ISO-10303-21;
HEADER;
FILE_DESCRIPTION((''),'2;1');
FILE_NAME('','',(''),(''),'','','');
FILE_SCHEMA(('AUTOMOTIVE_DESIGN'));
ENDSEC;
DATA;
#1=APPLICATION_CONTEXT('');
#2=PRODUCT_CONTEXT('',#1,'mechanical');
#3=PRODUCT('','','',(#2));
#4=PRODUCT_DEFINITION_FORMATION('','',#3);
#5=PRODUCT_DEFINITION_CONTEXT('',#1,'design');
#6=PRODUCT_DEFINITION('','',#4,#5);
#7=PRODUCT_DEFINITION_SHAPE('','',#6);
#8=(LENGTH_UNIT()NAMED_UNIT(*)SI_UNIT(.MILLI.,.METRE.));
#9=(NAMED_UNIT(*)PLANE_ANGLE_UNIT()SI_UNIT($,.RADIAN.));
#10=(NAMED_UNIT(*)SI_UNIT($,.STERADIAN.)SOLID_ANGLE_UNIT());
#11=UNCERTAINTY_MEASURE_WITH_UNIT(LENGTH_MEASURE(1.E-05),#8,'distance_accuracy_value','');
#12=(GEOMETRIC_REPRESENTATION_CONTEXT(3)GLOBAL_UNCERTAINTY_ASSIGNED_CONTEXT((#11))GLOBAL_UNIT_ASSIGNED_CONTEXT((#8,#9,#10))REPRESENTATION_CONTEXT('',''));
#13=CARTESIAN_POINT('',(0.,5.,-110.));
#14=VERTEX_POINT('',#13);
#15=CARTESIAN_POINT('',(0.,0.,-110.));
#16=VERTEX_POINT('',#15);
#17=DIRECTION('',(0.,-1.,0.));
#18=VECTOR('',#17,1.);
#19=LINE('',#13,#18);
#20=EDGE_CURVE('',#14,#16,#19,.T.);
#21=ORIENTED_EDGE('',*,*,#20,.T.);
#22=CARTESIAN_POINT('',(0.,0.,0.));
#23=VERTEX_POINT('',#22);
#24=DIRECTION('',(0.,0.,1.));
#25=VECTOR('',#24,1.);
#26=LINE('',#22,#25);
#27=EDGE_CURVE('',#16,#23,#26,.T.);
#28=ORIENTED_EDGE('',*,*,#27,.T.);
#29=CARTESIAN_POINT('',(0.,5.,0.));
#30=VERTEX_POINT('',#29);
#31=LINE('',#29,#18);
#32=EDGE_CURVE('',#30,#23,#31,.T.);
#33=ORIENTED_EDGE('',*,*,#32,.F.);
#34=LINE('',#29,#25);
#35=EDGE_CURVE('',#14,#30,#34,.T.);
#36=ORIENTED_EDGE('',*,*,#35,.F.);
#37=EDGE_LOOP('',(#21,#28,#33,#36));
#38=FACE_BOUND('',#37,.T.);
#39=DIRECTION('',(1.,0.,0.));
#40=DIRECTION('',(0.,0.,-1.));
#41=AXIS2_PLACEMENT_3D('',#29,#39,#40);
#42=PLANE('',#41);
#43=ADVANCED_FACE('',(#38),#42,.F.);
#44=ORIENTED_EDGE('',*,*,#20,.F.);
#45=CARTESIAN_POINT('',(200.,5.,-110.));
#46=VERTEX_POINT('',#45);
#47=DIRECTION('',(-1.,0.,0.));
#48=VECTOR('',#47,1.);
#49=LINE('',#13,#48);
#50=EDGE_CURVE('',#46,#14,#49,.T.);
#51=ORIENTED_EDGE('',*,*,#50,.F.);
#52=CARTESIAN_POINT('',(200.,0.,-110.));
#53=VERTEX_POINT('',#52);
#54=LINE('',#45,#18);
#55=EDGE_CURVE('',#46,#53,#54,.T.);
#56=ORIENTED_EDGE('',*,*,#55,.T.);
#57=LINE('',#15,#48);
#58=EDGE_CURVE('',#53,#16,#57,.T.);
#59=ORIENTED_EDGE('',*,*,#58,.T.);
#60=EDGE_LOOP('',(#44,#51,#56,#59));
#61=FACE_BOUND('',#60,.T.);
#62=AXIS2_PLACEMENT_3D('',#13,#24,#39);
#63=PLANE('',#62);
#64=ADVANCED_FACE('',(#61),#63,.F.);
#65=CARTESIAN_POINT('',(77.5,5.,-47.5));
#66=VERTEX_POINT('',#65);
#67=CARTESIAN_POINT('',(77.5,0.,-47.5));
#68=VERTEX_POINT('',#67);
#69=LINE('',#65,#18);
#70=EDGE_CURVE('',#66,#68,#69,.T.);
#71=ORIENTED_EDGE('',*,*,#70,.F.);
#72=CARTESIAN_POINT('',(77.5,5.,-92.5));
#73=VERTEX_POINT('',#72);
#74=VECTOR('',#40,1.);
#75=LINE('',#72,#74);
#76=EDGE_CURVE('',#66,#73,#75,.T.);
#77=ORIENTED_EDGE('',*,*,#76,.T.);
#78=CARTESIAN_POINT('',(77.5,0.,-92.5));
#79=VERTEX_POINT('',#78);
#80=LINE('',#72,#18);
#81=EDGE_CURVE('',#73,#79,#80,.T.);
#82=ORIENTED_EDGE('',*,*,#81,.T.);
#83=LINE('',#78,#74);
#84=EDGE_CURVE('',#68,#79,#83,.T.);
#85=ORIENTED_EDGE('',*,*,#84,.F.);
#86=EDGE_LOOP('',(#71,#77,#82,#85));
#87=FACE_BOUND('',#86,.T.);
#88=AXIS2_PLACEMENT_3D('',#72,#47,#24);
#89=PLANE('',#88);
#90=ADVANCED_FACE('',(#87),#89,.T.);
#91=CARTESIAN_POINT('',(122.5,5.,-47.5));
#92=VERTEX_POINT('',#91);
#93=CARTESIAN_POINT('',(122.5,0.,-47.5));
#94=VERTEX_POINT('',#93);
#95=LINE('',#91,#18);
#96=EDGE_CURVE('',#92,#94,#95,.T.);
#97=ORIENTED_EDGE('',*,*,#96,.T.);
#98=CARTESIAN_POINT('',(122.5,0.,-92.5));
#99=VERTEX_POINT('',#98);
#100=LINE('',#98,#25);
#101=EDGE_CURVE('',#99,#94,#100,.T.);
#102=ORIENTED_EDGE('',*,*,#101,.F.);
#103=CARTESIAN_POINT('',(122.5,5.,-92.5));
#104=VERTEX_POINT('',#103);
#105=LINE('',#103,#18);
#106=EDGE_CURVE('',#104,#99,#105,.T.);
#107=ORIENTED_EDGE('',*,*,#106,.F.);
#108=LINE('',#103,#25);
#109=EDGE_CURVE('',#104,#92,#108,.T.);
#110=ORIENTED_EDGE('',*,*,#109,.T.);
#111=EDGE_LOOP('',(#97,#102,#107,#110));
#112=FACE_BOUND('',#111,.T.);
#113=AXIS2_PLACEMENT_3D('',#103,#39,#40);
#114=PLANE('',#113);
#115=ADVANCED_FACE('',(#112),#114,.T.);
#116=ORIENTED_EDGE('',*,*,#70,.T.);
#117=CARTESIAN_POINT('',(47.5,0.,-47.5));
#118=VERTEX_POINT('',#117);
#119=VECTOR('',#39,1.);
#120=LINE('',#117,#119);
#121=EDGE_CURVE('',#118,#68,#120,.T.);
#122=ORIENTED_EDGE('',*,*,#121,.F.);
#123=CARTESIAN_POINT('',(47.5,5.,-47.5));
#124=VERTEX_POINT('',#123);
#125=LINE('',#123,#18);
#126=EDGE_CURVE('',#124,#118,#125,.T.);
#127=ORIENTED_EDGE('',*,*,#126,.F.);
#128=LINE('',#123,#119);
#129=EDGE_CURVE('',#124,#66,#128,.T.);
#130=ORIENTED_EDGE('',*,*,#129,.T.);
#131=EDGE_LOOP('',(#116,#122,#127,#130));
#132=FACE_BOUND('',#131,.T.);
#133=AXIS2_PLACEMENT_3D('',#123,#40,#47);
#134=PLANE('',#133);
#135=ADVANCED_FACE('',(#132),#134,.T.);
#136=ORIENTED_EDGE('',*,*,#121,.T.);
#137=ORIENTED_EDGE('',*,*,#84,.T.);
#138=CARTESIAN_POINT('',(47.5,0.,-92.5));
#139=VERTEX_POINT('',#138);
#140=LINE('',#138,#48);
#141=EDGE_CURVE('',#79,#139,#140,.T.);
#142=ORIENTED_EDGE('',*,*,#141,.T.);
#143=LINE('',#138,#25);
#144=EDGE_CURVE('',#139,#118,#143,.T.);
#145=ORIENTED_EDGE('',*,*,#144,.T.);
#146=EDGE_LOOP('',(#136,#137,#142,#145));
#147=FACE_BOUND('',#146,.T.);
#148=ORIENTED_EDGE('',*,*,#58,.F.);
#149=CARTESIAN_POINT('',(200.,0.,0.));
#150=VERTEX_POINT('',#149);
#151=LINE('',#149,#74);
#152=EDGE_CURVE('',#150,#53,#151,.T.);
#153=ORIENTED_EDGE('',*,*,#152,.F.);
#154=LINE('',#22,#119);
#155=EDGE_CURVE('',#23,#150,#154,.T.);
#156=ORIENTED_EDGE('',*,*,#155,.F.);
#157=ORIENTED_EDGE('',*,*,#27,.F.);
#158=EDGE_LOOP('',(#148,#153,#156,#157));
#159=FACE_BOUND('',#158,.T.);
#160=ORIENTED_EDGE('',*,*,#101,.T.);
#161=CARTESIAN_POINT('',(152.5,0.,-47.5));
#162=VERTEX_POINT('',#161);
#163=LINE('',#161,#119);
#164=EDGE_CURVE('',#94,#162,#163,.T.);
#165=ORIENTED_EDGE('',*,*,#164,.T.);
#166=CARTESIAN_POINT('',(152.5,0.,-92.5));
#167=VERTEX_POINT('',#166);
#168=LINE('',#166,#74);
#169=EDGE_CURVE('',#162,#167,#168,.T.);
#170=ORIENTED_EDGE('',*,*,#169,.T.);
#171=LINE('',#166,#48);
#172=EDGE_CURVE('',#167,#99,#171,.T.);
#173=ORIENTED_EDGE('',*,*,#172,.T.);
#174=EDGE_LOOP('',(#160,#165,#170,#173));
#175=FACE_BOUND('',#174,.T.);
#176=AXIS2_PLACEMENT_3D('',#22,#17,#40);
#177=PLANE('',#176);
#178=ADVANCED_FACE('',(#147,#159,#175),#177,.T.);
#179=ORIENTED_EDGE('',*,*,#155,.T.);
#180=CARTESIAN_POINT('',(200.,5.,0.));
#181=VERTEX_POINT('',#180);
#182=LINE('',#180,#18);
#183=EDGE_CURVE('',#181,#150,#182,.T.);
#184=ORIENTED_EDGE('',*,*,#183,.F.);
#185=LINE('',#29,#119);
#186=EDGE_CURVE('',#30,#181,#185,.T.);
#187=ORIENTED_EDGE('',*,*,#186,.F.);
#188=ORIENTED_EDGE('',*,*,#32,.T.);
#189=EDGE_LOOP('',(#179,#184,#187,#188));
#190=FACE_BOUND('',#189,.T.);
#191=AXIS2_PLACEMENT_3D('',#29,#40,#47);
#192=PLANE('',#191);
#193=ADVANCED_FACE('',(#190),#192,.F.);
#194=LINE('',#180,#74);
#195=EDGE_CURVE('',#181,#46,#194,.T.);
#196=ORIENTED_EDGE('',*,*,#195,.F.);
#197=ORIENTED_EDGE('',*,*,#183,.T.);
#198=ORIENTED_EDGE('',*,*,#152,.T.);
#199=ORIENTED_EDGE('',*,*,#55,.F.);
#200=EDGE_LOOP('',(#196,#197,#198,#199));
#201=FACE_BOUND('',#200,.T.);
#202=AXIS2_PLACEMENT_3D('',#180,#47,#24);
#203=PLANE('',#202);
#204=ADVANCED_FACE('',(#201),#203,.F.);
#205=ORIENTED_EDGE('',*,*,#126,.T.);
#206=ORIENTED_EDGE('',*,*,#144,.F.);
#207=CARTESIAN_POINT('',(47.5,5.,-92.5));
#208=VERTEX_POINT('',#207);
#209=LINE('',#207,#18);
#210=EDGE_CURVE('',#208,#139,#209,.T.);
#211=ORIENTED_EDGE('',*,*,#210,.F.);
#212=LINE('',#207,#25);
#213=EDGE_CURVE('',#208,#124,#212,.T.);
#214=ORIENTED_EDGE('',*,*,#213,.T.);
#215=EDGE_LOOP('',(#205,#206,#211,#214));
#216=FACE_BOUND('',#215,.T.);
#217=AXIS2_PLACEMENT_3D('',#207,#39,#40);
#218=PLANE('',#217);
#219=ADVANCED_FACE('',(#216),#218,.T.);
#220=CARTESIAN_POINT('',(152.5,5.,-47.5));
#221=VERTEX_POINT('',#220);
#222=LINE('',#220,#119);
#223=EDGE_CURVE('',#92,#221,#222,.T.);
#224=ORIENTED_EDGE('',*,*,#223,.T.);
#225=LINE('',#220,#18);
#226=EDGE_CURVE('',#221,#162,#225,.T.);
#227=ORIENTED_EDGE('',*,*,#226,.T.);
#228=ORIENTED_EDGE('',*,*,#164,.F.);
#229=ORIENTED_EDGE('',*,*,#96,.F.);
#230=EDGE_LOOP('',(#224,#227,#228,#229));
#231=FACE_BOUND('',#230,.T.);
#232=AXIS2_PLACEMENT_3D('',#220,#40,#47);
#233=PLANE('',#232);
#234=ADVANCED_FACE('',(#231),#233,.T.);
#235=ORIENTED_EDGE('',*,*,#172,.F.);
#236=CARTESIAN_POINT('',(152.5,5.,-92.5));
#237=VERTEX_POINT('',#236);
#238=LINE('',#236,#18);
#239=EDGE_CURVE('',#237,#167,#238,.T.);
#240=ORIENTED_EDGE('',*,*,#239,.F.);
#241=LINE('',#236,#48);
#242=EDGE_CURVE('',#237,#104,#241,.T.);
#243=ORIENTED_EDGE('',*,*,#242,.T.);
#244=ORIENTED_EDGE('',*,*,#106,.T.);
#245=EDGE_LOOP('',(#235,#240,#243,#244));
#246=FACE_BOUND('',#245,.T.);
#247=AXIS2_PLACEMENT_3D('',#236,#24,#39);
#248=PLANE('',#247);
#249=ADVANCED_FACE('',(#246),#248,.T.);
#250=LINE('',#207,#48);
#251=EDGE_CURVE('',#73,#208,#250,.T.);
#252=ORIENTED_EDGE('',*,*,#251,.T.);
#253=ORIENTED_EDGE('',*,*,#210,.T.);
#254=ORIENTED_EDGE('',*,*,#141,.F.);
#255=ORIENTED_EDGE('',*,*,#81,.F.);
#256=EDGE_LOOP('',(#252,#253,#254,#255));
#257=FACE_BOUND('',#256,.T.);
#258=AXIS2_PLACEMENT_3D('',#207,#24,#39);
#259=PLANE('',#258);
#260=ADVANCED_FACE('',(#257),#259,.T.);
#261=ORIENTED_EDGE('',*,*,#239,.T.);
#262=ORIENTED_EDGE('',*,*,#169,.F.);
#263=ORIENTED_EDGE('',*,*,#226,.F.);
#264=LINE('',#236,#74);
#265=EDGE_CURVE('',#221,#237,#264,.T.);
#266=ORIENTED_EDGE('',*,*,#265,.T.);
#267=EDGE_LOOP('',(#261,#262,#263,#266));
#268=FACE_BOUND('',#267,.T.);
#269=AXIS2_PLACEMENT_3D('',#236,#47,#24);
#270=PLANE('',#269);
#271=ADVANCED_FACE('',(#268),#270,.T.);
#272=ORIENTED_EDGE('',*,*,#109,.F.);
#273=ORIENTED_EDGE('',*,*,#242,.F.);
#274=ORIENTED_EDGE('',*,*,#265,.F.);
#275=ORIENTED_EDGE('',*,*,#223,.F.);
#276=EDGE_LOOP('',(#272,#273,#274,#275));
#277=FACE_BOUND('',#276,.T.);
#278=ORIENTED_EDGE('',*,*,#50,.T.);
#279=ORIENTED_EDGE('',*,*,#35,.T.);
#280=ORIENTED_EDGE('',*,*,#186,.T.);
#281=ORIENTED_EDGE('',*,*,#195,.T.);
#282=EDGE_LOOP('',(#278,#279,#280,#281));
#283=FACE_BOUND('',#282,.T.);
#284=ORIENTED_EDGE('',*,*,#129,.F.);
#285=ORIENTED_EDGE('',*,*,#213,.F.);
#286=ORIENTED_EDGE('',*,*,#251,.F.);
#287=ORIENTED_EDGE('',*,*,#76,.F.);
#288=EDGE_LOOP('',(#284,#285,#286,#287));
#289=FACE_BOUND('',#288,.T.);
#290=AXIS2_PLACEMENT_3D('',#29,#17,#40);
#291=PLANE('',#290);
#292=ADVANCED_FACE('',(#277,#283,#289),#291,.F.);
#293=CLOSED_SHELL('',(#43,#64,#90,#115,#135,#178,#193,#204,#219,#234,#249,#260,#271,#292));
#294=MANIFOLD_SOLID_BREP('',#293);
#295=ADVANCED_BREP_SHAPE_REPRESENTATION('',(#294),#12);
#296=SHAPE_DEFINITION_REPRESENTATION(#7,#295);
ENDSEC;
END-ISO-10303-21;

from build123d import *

# Parameters (mm, degrees)
SKETCH_1_W      = 200
SKETCH_1_H      = 110
SKETCH_1_W_2    = 30
SKETCH_1_H_2    = 45
EXTRUDE_1_DEPTH = 5


with BuildPart() as part:
    # 草图1 → 凸台-拉伸1 (new body)
    with BuildSketch(Plane(origin=(0, 0, 0), x_dir=(1, 0, 0), z_dir=(0, 1, 0))):
        with Locations((100, 55)):
            Rectangle(SKETCH_1_W, SKETCH_1_H)
        with Locations((62.5, 70)):
            Rectangle(SKETCH_1_W_2, SKETCH_1_H_2, mode=Mode.SUBTRACT)
        with Locations((137.5, 70)):
            Rectangle(SKETCH_1_W_2, SKETCH_1_H_2, mode=Mode.SUBTRACT)
    extrude(amount=EXTRUDE_1_DEPTH)


solid = part.part
